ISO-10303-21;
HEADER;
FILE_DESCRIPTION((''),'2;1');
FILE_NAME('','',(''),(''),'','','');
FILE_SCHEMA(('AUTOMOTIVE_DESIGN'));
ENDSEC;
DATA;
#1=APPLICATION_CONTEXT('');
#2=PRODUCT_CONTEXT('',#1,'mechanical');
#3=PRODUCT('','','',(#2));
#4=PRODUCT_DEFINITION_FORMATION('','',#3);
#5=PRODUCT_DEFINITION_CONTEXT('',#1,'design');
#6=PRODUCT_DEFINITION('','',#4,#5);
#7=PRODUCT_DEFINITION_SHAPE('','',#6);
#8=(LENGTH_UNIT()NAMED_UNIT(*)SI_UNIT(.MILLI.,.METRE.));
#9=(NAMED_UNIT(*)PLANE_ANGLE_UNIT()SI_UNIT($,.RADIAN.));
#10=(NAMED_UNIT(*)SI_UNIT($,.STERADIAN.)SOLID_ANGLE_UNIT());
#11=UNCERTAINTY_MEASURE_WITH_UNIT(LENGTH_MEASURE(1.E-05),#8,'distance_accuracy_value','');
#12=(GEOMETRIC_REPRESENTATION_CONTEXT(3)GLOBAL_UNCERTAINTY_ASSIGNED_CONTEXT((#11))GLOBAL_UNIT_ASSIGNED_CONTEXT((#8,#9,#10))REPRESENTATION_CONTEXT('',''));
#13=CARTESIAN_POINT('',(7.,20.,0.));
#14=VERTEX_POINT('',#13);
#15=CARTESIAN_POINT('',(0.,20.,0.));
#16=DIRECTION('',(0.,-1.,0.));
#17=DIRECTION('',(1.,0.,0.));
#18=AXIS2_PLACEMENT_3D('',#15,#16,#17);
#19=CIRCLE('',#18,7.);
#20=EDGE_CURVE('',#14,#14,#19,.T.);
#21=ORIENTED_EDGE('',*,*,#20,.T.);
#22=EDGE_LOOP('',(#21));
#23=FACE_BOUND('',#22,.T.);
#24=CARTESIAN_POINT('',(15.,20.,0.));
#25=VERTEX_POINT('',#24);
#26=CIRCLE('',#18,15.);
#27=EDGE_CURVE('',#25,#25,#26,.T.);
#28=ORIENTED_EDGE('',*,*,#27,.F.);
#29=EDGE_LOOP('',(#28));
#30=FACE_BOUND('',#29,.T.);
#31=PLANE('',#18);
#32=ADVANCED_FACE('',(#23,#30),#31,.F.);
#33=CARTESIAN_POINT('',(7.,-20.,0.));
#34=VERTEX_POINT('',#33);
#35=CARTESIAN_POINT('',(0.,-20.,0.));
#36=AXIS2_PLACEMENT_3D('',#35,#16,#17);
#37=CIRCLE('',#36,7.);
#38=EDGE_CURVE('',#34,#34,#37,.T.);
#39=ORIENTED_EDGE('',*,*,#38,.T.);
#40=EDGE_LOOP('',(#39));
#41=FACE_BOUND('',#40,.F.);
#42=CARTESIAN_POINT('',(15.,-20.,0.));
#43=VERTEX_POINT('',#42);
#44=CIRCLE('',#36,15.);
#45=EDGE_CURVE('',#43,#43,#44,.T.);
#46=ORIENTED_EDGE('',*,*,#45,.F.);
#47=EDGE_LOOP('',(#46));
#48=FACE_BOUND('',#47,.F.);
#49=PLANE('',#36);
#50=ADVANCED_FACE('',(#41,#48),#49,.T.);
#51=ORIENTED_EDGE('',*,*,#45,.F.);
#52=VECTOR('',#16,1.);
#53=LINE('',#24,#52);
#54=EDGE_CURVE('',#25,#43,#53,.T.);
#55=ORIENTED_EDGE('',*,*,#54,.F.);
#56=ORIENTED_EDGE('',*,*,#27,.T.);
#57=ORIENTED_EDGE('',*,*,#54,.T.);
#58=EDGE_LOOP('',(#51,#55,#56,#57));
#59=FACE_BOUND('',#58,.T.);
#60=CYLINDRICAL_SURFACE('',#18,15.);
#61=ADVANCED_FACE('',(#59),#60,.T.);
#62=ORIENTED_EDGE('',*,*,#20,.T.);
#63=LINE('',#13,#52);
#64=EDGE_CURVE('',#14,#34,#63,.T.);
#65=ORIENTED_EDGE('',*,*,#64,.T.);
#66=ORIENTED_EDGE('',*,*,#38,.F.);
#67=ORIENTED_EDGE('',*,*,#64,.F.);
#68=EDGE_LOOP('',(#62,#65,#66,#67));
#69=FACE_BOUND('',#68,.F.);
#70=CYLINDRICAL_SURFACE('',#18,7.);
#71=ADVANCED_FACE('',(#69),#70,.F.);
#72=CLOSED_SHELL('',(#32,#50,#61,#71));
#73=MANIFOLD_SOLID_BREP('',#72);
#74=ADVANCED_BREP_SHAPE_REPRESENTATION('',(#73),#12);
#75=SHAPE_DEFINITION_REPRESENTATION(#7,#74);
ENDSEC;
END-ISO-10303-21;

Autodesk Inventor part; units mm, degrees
ref_plane "YZ Plane" through (0, 0, 0) normal (1, 0, 0) x (0, 1, 0)
ref_plane "XZ Plane" through (0, 0, 0) normal (0, 1, 0) x (-1, 0, 0)
ref_plane "XY Plane" through (0, 0, 0) normal (0, 0, 1) x (1, 0, 0)
sketch "Sketch1" plane through (0, 0, 0) normal (0, 0, 1) x (1, 0, 0)
  line L0 (0, 20) -> (0, -20)
  line L1 (0, -20) -> (7, -20) construction
  line L2 (0, 20) -> (7, 20) construction
  line L3 (15, 20) -> (15, -20)
  line L4 (7, 20) -> (7, -20)
  line L5 (7, 20) -> (15, 20)
  line L6 (7, -20) -> (15, -20)
  point P0 (0, 0)
  point P1 (0, 0)
  dimension "d18" = 40
  dimension "d19" = 30
  dimension "d43" = 14
revolve "Revolution1" add sketch "Sketch1" angle 360 about axis through (0, 20, 0) along (0, -1, 0)
properties part number "втулка"
